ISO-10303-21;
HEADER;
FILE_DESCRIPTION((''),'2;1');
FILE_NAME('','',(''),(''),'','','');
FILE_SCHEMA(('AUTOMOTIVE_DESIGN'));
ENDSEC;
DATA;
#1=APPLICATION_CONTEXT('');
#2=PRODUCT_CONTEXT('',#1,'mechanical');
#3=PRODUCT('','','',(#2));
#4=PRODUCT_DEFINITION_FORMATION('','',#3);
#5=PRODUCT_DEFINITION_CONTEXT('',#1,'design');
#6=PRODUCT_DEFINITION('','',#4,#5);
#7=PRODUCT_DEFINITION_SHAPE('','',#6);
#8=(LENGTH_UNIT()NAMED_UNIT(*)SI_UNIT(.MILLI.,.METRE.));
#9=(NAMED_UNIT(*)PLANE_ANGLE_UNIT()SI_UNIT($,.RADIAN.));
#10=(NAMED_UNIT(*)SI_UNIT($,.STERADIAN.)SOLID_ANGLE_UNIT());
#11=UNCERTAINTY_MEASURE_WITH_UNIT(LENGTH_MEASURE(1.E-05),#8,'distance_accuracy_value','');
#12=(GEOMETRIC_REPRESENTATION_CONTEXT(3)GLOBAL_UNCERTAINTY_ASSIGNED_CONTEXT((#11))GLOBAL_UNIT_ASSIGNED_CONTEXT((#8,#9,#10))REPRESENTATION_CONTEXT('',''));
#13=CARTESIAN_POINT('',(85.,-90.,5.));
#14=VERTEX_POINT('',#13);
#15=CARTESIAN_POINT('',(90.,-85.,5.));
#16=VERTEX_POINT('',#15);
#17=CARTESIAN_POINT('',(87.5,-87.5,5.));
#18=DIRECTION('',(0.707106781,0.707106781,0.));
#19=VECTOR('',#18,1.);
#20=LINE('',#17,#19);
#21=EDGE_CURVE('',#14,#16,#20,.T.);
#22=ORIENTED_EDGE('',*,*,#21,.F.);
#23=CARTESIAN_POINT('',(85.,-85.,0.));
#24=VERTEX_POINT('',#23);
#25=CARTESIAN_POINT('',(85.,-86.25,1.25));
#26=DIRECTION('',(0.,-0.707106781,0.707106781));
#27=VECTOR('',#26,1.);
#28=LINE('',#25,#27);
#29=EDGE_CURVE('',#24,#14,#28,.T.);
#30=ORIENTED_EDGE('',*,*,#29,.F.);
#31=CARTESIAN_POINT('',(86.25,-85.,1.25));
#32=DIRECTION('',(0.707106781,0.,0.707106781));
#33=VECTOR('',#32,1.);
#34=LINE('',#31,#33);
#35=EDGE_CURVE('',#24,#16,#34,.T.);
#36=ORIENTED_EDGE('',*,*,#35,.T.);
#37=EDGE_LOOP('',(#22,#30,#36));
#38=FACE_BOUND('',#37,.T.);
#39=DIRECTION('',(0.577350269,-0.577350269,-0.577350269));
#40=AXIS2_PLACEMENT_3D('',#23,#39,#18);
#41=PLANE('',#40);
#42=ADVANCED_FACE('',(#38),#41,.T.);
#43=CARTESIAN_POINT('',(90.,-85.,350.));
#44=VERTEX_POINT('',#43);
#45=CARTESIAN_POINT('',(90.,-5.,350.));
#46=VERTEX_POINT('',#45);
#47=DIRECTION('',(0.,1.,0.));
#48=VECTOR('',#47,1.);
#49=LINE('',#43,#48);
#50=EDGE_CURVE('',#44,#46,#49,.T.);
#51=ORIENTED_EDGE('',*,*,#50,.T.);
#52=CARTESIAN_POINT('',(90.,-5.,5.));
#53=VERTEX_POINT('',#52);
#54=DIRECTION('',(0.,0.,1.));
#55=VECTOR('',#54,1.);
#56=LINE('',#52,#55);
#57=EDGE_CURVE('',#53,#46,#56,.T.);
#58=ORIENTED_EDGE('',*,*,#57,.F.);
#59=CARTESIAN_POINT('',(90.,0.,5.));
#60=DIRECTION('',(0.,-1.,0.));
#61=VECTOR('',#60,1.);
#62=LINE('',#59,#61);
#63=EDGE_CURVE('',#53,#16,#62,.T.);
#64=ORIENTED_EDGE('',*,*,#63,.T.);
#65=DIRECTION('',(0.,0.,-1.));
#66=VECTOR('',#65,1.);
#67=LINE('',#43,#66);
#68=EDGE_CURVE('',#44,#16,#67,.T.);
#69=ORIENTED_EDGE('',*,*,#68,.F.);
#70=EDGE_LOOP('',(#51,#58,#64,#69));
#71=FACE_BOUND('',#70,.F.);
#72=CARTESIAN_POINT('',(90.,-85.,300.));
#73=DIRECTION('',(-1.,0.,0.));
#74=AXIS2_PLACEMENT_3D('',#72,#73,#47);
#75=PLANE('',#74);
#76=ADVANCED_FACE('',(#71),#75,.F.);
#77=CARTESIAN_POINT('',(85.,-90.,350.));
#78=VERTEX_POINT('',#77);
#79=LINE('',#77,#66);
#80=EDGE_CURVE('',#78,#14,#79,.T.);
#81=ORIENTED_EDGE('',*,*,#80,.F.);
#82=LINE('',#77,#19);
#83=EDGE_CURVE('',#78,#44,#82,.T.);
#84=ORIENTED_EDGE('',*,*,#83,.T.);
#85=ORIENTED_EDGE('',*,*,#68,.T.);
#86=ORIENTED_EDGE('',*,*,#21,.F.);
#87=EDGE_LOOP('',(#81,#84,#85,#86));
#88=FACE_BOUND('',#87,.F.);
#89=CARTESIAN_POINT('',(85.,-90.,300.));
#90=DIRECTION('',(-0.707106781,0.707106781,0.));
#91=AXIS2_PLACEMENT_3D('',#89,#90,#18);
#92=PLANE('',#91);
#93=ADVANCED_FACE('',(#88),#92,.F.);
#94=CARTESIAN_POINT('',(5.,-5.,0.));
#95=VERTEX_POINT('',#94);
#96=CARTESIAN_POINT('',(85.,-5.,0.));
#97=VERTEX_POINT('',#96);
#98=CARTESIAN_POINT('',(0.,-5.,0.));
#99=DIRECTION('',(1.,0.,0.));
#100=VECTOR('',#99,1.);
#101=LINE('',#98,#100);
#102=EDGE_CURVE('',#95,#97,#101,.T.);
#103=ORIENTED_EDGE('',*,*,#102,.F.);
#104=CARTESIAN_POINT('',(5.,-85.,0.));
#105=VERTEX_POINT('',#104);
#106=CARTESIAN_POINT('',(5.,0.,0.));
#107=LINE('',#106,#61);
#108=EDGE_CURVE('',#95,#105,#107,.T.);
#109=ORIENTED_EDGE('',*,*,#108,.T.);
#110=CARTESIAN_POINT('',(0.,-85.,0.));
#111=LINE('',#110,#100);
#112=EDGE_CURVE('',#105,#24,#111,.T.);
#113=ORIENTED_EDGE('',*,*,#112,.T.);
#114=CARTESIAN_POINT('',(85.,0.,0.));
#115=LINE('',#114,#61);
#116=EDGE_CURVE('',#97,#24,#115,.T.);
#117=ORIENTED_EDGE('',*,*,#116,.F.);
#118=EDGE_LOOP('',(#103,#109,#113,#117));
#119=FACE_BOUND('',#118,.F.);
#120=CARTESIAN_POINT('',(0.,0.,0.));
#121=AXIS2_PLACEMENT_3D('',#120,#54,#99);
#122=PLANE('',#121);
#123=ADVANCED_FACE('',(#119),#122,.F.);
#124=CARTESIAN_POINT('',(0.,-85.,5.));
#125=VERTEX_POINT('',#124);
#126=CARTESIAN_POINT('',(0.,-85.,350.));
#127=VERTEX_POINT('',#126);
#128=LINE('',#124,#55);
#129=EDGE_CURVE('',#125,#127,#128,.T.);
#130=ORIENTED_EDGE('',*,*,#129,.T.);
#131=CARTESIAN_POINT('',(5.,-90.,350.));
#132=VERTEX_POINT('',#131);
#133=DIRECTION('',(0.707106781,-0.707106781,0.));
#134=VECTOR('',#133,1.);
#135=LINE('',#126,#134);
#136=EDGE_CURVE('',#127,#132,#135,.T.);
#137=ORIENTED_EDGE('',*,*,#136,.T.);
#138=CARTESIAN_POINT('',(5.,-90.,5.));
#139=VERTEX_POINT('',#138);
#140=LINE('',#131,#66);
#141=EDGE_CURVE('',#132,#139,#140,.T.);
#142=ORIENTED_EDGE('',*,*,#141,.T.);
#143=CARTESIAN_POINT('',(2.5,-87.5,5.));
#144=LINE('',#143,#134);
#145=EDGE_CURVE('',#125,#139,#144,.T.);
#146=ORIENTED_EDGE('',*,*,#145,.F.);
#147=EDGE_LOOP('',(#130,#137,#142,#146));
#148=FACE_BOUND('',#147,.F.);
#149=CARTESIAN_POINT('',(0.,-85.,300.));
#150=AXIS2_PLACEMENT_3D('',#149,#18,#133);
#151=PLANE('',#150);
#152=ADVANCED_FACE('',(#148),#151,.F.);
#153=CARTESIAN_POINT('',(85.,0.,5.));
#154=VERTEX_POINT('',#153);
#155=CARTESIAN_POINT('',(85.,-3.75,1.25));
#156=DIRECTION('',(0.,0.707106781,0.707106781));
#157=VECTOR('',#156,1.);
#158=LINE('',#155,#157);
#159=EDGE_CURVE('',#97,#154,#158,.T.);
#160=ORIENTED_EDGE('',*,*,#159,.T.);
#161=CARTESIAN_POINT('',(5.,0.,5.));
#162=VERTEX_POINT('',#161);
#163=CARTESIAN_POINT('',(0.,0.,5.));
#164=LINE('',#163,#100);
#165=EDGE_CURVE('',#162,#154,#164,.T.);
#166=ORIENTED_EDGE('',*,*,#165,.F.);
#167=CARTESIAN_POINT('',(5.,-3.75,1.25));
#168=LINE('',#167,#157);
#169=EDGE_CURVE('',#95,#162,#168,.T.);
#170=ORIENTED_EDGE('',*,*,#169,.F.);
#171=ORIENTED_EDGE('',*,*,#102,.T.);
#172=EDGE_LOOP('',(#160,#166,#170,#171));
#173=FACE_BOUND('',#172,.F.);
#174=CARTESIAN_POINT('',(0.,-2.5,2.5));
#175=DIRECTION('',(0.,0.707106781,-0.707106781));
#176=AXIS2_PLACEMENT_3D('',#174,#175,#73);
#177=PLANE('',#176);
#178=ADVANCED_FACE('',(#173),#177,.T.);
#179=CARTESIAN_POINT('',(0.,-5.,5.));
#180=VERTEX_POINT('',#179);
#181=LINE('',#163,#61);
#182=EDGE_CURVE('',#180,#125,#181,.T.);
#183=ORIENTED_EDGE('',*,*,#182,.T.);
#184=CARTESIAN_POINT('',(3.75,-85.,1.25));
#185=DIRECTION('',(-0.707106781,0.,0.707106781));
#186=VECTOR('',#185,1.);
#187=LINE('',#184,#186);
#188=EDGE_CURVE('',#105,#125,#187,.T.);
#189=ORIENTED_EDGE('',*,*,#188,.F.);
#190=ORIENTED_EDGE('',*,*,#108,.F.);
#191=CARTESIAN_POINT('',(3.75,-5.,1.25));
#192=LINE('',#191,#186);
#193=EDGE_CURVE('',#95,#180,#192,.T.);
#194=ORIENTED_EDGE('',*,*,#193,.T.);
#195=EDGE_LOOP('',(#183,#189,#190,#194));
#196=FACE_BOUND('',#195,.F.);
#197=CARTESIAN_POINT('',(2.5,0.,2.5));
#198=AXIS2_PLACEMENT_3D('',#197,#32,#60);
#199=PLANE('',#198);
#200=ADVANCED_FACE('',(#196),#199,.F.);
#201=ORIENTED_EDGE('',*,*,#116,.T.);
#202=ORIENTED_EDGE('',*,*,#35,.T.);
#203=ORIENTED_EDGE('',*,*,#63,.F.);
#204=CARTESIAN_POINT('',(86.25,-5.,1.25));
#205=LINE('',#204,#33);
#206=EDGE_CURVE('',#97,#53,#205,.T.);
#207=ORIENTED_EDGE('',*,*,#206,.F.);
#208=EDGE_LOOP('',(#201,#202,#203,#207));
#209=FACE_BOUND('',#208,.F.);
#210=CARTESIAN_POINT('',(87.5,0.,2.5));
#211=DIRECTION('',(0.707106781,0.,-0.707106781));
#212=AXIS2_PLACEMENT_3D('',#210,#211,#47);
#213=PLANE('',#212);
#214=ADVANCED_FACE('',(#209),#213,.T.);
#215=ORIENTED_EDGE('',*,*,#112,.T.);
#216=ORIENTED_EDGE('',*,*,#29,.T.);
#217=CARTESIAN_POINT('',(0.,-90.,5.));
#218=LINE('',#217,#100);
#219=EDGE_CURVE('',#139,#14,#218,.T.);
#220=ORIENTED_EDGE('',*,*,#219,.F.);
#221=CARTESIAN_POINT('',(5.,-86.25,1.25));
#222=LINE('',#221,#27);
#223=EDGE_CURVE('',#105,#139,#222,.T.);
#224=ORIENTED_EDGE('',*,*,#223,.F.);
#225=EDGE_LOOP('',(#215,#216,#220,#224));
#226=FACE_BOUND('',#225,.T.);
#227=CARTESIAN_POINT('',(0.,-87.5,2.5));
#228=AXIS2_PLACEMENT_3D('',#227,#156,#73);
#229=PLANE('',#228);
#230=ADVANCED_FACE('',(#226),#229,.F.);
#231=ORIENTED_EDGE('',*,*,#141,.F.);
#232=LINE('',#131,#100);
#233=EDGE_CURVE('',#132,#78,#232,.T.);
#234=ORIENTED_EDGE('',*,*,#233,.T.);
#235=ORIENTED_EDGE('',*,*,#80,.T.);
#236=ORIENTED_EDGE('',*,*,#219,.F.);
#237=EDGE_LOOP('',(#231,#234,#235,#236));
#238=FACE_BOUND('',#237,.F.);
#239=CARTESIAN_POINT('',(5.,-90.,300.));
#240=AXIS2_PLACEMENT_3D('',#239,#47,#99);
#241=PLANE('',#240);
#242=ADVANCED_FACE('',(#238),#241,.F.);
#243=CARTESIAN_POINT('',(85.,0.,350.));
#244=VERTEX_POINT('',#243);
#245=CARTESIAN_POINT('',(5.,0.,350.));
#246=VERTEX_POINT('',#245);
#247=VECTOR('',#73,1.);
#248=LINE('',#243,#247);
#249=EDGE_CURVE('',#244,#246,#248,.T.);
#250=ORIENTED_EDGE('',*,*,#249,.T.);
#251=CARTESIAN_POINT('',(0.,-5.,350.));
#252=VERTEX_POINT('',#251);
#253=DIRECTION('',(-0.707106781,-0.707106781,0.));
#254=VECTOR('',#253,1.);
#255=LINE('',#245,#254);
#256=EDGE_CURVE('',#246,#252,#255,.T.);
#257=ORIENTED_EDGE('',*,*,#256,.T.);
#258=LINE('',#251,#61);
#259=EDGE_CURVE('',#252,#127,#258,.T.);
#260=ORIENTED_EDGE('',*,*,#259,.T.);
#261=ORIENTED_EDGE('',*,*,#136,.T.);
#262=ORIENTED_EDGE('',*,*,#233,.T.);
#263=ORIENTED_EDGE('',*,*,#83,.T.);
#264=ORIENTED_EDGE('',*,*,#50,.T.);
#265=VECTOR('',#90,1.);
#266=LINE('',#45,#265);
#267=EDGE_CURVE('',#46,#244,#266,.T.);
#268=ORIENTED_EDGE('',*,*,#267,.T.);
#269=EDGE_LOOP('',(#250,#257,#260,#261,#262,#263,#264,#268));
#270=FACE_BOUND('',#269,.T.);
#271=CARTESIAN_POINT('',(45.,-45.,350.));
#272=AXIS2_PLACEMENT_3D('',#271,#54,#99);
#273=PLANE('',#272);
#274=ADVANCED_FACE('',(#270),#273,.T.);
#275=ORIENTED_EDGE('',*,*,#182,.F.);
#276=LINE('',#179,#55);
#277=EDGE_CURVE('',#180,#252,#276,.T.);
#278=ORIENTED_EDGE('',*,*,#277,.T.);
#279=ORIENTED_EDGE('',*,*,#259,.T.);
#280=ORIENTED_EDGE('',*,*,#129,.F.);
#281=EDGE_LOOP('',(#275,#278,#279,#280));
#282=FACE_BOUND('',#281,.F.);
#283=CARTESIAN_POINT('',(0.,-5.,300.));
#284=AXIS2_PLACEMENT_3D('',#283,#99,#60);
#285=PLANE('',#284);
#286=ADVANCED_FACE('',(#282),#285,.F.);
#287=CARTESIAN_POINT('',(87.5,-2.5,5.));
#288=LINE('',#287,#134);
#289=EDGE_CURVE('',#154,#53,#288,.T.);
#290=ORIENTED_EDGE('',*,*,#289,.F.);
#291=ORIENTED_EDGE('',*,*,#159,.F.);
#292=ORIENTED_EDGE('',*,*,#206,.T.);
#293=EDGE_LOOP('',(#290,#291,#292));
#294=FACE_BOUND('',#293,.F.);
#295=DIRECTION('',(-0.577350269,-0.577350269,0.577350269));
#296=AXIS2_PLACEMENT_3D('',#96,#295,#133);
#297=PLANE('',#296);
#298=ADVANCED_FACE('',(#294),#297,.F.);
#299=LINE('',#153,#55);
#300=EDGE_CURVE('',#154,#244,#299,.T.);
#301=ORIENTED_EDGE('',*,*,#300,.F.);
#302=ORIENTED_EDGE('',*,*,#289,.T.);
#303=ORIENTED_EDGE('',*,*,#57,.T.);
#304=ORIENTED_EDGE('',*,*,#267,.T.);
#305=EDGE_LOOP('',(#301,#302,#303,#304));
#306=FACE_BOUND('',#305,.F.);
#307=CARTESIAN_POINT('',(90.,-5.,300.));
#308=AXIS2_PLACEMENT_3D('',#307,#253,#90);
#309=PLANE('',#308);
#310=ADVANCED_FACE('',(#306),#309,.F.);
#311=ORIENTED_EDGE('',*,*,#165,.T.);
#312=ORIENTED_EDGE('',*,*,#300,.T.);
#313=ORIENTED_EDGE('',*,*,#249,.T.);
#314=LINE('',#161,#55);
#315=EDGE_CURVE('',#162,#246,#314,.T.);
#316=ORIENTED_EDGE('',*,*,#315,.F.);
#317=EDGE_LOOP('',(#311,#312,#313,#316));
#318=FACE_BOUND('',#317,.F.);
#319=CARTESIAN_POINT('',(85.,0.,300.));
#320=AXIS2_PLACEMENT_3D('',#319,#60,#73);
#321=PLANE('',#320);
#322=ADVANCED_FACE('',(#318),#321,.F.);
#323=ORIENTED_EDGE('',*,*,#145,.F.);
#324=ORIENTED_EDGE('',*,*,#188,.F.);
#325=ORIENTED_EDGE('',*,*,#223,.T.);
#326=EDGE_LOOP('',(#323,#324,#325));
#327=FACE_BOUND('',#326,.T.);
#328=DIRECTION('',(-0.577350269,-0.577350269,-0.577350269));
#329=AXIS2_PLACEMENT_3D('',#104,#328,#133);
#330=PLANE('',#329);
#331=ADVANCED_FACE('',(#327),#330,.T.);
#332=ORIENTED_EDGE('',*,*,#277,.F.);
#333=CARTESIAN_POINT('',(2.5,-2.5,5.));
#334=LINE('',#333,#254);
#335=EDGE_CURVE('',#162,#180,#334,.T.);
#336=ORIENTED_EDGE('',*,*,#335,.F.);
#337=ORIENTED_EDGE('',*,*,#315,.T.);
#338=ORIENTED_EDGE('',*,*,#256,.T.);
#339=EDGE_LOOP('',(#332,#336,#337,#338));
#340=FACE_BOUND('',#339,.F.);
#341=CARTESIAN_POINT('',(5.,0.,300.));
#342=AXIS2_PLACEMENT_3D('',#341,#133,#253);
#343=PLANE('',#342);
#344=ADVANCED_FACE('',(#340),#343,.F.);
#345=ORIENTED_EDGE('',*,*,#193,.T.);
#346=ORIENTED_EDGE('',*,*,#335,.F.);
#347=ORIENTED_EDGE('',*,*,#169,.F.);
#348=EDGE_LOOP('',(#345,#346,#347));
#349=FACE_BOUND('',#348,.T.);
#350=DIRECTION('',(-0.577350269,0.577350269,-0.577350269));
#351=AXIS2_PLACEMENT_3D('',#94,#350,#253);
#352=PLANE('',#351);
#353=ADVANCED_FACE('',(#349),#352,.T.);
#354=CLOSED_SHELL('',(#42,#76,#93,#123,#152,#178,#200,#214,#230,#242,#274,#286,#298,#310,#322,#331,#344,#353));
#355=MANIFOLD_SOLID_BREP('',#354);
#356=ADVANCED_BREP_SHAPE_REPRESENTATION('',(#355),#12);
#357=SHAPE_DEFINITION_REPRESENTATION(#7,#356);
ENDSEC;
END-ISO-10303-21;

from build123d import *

# Parameters (mm, degrees)
F0_W     = 90
F0_H     = 300
F1_DEPTH = 90
F2_SIZE  = 5
F3_DEPTH = 50


with BuildPart() as f1:
    # F0 (on Front) → F1 (new body)
    with BuildSketch(Plane.XZ):
        with Locations((45, 150)):
            Rectangle(F0_W, F0_H)
    extrude(amount=F1_DEPTH)

    # F2
    f2_edges = [f1.edges().sort_by_distance(p)[0] for p in [
        (90, -90, 150),
        (0, -90, 150),
        (90, 0, 150),
        (0, 0, 150),
        (45, 0, 0),
        (0, -45, 0),
        (45, -90, 0),
        (90, -45, 0),
    ]]
    chamfer(f2_edges, length=F2_SIZE)

    # F1_face (on face) → F3 (join)
    with BuildSketch(Plane(origin=(45, -45, 300), x_dir=(1, 0, 0), z_dir=(0, 0, 1))):
        Polygon((45, -40), (45, 40), (40, 45), (-40, 45), (-45, 40), (-45, -40), (-40, -45), (40, -45), align=None)
    extrude(amount=F3_DEPTH)


solid = f1.part
